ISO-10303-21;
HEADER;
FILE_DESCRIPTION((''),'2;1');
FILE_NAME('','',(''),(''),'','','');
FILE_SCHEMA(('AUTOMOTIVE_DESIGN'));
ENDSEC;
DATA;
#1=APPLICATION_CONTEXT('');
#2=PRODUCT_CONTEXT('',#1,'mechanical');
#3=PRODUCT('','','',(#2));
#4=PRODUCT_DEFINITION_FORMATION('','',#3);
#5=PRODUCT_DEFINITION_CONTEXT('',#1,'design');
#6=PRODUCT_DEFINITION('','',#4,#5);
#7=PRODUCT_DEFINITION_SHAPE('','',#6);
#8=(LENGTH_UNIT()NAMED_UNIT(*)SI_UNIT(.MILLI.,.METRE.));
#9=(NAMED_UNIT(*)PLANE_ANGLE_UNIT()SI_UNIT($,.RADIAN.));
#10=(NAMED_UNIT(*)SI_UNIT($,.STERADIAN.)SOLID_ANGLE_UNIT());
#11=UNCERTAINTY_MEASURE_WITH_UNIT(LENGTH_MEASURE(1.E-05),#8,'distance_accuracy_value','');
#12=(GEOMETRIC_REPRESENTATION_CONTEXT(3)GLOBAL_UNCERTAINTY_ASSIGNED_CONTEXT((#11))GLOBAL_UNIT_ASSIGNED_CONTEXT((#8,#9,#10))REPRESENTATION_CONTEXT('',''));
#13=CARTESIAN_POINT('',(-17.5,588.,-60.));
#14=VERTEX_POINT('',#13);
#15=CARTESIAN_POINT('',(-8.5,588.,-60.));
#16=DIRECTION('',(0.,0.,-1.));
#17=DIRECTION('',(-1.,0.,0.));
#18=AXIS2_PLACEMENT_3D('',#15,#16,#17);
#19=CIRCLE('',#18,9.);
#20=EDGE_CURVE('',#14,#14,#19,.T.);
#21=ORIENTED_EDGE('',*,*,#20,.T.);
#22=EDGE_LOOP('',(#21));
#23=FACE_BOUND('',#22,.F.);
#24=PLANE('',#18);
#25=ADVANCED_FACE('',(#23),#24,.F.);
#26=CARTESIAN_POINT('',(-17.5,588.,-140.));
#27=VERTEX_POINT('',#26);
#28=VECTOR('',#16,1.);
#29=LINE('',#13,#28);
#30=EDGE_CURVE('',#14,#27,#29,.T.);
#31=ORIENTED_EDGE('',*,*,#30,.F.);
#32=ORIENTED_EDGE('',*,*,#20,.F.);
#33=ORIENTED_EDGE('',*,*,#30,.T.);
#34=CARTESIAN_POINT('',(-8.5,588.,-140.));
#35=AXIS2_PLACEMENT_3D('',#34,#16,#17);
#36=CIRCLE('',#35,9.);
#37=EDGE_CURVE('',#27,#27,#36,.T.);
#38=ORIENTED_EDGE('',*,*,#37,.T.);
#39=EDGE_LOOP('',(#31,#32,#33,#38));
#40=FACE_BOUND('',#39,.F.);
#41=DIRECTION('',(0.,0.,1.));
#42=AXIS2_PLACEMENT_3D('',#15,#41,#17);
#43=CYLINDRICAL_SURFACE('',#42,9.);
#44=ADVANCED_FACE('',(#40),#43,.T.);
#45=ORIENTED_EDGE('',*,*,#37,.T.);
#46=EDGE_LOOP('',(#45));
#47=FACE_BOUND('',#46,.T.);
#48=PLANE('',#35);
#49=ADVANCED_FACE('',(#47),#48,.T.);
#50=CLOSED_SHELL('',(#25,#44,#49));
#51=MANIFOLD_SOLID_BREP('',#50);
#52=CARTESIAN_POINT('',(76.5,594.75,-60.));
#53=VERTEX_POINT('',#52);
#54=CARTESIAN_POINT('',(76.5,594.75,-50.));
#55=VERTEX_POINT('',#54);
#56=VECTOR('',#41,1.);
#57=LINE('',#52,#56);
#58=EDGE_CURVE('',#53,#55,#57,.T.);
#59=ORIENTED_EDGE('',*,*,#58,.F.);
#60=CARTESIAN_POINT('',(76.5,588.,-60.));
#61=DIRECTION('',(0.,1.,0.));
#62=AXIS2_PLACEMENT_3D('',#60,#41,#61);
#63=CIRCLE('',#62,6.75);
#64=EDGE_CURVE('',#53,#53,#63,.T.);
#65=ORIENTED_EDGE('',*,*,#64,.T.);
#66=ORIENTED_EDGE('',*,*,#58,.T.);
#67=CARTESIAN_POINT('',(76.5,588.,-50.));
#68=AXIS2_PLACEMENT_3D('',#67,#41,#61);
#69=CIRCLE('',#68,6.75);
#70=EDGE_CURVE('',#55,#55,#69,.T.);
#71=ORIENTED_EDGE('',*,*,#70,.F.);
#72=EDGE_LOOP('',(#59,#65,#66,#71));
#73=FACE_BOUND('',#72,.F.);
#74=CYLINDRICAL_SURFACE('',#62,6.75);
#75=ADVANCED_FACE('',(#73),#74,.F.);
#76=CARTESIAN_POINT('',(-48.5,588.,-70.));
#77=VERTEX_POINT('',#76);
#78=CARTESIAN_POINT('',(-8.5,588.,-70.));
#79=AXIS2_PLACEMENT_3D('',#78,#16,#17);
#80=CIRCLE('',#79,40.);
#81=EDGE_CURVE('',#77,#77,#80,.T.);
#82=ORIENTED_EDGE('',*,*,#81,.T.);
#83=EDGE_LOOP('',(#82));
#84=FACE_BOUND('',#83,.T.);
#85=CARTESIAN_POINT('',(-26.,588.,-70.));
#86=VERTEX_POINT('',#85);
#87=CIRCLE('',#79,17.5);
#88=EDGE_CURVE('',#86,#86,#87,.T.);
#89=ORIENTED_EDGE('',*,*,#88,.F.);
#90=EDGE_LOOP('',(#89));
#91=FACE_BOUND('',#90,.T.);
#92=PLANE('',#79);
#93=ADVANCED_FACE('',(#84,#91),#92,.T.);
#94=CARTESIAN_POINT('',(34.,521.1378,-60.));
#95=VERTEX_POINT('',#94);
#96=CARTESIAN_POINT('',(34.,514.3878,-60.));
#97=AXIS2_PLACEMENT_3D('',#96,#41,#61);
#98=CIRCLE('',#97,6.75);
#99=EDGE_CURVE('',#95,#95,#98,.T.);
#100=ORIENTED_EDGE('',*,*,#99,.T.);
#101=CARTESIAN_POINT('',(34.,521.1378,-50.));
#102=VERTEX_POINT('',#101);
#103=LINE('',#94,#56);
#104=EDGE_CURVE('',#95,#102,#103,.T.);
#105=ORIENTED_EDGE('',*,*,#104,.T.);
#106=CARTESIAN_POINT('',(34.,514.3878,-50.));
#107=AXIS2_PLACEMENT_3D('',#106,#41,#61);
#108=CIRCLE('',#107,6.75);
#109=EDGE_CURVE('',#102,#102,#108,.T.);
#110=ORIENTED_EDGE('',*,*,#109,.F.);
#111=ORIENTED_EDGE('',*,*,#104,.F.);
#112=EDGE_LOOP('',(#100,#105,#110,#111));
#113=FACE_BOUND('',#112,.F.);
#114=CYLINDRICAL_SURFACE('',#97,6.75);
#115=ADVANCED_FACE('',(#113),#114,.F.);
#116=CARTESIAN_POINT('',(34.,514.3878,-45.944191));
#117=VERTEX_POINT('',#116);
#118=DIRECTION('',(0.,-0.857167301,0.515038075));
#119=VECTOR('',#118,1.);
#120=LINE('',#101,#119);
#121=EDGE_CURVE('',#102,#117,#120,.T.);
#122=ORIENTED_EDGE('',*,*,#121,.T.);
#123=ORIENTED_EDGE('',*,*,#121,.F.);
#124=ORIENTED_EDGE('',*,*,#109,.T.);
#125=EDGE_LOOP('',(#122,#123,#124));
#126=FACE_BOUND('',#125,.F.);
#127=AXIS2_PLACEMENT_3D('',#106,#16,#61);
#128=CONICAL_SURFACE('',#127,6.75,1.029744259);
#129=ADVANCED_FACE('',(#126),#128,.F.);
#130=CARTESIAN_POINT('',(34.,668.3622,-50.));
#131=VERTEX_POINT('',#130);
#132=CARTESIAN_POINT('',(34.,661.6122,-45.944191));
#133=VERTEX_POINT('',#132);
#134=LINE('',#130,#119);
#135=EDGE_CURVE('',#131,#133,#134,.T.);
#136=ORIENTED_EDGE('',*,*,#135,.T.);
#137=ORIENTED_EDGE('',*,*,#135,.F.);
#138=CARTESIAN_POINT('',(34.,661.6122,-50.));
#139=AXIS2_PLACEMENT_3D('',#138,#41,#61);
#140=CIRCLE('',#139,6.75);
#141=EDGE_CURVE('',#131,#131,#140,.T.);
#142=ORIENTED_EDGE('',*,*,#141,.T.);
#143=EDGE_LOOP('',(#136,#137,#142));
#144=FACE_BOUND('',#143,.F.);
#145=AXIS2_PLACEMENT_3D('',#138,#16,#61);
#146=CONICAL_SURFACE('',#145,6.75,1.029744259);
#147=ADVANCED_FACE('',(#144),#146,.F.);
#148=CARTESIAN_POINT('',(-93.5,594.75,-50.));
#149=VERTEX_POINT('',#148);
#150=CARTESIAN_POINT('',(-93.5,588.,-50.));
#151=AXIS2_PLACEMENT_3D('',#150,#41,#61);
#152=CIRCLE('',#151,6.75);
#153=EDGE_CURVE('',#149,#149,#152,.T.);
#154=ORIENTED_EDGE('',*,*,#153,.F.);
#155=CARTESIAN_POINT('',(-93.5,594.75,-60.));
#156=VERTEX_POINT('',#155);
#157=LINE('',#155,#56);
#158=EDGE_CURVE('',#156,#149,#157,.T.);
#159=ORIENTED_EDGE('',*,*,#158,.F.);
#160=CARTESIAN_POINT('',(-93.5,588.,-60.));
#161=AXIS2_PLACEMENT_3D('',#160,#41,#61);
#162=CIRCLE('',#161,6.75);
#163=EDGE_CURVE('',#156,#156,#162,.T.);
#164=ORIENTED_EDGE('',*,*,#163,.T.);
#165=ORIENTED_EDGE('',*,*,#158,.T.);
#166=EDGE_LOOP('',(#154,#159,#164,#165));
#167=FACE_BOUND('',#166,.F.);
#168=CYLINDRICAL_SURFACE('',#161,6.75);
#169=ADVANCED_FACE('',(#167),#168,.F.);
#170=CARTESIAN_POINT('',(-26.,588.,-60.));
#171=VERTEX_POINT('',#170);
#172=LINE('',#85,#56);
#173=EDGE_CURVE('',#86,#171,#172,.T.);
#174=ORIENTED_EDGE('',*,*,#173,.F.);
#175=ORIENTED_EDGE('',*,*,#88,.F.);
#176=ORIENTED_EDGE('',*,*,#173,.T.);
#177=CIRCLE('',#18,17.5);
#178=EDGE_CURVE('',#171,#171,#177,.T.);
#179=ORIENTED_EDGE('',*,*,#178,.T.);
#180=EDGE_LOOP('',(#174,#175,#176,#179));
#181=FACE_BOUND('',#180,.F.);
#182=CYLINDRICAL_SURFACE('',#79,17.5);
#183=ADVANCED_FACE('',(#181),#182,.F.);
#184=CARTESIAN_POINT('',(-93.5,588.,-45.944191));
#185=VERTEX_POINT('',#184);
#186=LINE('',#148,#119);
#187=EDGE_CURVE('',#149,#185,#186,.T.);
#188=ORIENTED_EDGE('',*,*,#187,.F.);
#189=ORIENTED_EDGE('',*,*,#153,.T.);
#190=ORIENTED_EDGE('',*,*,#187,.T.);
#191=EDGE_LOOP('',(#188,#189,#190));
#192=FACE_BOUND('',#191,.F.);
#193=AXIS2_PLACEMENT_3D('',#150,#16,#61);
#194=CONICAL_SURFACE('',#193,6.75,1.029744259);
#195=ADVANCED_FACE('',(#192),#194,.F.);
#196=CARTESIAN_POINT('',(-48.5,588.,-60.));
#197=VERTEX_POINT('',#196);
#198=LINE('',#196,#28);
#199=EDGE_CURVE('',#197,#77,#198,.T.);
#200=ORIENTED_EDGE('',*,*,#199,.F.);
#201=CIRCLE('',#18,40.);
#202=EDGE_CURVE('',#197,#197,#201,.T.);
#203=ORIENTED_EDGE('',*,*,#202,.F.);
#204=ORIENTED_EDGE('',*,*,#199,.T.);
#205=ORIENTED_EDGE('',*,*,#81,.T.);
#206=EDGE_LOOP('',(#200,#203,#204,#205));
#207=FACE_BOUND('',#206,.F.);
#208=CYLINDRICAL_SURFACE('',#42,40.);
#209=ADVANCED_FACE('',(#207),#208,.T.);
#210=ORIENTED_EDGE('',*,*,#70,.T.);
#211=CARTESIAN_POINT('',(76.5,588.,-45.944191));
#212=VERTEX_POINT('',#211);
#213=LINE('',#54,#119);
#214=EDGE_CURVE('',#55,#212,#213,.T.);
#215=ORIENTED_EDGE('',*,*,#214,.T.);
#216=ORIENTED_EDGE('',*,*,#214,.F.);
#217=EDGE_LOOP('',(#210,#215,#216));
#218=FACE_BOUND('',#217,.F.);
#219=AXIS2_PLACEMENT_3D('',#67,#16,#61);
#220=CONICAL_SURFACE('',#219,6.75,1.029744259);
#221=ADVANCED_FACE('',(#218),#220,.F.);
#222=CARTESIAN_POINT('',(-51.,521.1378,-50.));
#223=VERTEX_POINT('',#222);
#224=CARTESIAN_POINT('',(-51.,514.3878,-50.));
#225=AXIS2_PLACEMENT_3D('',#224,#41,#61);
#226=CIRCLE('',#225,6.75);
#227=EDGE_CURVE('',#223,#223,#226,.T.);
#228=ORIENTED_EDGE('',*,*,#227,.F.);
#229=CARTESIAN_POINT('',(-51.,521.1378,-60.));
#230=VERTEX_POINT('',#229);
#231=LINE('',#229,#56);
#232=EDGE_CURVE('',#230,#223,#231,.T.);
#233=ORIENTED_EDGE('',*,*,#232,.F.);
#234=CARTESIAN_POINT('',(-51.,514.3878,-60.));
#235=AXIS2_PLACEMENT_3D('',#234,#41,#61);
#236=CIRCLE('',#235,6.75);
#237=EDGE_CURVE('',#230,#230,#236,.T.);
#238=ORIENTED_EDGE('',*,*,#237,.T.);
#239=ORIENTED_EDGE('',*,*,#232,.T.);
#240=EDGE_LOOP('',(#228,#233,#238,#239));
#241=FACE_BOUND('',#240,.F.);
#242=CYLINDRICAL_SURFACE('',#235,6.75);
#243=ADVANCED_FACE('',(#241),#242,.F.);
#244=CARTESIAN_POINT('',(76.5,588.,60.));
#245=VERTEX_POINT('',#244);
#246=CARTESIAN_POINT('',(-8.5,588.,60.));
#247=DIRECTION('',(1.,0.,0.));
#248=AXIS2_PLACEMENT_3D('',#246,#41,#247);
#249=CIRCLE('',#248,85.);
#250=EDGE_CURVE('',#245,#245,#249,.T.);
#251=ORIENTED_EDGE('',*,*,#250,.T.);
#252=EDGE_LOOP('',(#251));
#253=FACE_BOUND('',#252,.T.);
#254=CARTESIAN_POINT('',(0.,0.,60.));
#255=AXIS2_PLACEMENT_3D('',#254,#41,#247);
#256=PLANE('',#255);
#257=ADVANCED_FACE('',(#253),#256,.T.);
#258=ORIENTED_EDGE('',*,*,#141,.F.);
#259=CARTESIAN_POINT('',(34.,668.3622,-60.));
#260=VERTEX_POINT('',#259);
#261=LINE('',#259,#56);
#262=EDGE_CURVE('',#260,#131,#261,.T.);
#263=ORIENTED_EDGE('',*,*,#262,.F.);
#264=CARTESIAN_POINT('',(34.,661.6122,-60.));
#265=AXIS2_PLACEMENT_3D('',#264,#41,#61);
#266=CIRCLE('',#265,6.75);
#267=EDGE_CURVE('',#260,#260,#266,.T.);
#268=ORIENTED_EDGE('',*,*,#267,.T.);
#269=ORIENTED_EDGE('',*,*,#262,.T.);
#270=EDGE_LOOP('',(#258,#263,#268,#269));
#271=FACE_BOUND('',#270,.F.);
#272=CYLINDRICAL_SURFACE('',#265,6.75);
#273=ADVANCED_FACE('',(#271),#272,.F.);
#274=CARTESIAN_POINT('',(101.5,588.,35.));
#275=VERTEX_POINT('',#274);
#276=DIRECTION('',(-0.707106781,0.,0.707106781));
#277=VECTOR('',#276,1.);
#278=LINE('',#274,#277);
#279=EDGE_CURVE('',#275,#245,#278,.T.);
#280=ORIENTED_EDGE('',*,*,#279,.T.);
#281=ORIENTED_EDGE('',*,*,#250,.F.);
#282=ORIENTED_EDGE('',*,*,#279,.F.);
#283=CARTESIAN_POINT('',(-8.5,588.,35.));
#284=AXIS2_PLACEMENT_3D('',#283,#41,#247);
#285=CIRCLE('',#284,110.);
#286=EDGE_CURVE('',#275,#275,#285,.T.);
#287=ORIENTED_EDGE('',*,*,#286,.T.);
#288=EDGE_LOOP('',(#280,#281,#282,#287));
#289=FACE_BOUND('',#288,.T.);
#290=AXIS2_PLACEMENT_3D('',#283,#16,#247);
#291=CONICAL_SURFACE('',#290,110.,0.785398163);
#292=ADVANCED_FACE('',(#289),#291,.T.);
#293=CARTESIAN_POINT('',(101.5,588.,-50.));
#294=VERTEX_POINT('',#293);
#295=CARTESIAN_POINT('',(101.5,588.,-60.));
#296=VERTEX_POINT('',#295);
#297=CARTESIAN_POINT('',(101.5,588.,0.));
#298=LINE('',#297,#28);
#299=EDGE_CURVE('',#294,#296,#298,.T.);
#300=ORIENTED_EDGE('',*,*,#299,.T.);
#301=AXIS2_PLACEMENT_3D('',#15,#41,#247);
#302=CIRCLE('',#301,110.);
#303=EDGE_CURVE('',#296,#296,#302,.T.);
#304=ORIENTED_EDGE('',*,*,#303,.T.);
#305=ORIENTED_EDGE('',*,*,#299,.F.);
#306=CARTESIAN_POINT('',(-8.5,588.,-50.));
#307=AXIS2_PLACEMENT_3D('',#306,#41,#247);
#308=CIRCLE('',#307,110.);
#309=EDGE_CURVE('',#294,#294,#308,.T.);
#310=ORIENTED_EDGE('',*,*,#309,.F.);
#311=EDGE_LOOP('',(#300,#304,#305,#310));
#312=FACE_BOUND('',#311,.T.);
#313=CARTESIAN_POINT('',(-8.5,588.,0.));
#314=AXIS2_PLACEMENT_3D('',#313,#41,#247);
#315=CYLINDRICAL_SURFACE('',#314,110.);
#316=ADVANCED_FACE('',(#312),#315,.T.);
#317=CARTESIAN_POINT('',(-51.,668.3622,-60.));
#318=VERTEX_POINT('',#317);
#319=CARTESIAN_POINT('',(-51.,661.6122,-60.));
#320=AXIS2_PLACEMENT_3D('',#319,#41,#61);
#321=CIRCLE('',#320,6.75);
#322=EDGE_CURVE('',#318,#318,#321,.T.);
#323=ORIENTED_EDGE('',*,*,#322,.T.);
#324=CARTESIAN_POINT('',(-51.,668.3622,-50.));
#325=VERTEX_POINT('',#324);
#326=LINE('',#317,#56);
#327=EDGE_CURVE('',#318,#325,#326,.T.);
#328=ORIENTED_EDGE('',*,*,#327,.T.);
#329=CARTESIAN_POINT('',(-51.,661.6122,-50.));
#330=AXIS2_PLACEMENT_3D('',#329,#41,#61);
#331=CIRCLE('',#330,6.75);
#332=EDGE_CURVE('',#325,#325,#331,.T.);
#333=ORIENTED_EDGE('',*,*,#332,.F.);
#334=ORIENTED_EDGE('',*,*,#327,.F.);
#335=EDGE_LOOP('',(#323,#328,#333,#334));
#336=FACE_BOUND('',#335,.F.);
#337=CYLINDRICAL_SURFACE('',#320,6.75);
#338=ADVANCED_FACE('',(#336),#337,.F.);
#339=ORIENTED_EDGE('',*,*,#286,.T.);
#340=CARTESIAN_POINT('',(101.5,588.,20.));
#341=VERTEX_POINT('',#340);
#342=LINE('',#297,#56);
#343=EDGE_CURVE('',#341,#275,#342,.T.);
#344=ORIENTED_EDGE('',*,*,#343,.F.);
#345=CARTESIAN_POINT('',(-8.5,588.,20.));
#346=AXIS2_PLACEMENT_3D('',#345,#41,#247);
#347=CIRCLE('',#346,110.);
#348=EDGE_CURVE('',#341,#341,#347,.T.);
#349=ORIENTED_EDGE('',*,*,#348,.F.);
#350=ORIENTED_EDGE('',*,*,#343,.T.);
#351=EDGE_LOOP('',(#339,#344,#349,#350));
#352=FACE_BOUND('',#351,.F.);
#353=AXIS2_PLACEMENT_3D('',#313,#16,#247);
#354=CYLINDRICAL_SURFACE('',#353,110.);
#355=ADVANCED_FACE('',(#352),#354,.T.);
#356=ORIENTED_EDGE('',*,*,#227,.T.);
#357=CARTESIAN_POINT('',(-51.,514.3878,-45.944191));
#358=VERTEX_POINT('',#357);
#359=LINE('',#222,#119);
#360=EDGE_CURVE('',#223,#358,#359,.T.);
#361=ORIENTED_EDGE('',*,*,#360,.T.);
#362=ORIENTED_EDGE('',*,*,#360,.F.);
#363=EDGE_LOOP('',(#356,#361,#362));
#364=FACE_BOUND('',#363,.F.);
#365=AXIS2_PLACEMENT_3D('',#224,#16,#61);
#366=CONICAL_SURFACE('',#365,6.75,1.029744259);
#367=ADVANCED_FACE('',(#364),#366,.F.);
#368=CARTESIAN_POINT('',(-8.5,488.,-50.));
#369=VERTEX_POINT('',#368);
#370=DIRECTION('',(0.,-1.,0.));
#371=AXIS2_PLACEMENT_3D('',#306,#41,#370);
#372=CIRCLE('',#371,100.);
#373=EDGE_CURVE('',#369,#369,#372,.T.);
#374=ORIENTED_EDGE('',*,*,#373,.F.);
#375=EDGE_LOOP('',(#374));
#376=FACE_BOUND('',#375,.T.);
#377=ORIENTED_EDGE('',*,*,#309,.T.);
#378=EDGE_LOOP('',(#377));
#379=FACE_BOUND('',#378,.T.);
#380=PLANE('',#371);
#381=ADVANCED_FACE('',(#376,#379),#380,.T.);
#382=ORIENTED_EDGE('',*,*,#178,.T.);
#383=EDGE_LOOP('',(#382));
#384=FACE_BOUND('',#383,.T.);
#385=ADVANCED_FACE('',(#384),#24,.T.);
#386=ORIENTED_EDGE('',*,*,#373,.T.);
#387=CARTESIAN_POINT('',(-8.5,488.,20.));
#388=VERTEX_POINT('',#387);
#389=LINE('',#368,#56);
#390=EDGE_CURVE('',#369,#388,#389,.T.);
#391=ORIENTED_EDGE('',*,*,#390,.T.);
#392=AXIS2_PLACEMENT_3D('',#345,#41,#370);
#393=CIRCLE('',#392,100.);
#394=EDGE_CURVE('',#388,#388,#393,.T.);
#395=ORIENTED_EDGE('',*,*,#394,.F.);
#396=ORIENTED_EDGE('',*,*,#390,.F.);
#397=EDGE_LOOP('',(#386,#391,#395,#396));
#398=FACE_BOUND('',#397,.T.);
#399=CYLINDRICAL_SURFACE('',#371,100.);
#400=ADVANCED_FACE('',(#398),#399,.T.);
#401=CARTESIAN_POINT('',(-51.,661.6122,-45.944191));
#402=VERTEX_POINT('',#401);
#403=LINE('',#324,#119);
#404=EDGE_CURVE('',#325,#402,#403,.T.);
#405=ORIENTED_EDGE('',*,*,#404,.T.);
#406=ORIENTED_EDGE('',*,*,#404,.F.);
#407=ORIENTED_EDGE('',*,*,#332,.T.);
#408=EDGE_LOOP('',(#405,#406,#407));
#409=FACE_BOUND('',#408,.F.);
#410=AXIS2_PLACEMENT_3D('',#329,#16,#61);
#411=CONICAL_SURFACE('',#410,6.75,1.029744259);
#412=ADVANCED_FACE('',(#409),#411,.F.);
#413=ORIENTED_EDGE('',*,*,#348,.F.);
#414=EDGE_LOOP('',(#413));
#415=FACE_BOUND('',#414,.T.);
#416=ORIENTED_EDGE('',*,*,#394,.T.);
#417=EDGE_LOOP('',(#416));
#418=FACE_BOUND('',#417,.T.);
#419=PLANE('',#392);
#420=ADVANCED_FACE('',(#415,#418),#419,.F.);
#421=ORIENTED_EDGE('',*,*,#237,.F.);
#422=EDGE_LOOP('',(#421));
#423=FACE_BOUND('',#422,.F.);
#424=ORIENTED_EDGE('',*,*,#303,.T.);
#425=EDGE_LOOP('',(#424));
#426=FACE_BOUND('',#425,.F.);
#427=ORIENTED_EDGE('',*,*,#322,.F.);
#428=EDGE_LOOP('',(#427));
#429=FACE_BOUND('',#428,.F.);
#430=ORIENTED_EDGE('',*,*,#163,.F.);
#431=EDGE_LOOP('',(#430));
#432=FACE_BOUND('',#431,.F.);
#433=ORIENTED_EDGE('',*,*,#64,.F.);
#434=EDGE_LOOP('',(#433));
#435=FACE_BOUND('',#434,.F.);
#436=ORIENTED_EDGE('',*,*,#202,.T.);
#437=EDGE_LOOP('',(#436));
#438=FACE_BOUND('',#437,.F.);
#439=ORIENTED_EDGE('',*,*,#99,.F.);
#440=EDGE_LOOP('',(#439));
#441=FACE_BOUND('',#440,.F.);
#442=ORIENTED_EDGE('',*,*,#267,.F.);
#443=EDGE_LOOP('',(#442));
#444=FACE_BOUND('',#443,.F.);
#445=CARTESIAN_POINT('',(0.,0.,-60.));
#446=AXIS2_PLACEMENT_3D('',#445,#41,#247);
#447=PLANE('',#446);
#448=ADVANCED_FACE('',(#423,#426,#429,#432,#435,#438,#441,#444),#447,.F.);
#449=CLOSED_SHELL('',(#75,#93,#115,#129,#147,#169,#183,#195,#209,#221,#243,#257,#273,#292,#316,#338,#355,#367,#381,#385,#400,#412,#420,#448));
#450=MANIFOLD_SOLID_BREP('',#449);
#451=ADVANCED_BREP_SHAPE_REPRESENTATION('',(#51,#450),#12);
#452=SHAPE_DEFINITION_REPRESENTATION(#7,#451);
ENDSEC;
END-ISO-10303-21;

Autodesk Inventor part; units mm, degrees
ref_plane "XZ Plane" through (0, 0, 0) normal (0, 1, 0) x (-1, 0, 0)
ref_plane "XY Plane" through (0, 0, 0) normal (0, 0, 1) x (1, 0, 0)
sketch "Sketch1" plane through (0, 0, 0) normal (0, 0, 1) x (1, 0, 0)
  circle A0 centre (-8.5, 588) radius 110
  line L0 (97.5, 88) -> (-202.5, 88) projected
  line L1 (-508.5, 482) -> (-508.5, 782) projected
  line L2 (-114.5, 1088) -> (185.5, 1088) projected
  point P0 (0, 0)
  dimension "d0" = 220
  dimension "d1" = 500
  dimension "d2" = 500
extrude "Extrusion1" add sketch "Sketch1" along normal mid plane 120
ref_plane "Work Plane1" through (-8.5, 588, 0) normal (1, 0, 0) x (0, 0, 1)
sketch "Sketch3" plane through (-8.5, 588, 0) normal (1, 0, 0) x (0, 0, 1)
  line L0 (60, -110) -> (60, 110) projected
  line L1 (-60, 110) -> (-60, -110) projected
  line L2 (-60, 110) -> (60, 110) projected
  line L3 (20, 110) -> (-50, 110)
  line L4 (-50, 110) -> (-50, 100)
  line L5 (-50, 100) -> (20, 100)
  line L6 (20, 100) -> (20, 110)
  line L7 (60, 0) -> (-58.6511, 0)
  line L8 (-84, 0) -> (84, 0) projected
  point P0 (0, 588)
  dimension "d9" = 10
  dimension "d10" = 10
  dimension "d11" = 70
revolve "Revolution1" cut sketch "Sketch3" angle 360 about axis through (-8.5, 588, 0) along (0, 0, 1) contours L6 L5 L4 L2
chamfer "Chamfer1" distance 25 angle 45 1 edges at (-118.5, 588, 60)
sketch "Sketch4" plane through (-8.5, 588, -60) normal (0, 0, -1) x (-1, 0, 0)
  circle A0 centre (0, 0) radius 100 construction
  circle A1 centre (0, 0) radius 85 construction
  point P0 (-8.5, -588)
  point P1 (-85, 0)
  point P2 (-42.5, -73.6122)
  point P3 (42.5, -73.6122)
  point P4 (85, 0)
  point P5 (42.5, 73.6122)
  point P6 (-42.5, 73.6122)
  dimension "d18" = 360
hole "Hole1" at (76.5, 588, -60) at (34, 514.3878, -60) at (-51, 514.3878, -60) at (-93.5, 588, -60) at (-51, 661.6122, -60) at (34, 661.6122, -60) direction (0, 0, 1) diameter 13.5 depth 10 tip angle 118 clearance for "Hex Head Cap Screw ISO 24017" size "M12" standard "ISO"
sketch "Sketch5" plane through (-8.5, 588, -60) normal (0, 0, -1) x (-1, 0, 0)
  circle A0 centre (-42.5, 73.6122) radius 6.75 projected
  circle A1 centre (42.5, 73.6122) radius 6.75 projected
  circle A2 centre (85, 0) radius 6.75 projected
  circle A3 centre (42.5, -73.6122) radius 6.75 projected
  circle A4 centre (-42.5, -73.6122) radius 6.75 projected
  circle A5 centre (-85, 0) radius 6.75 projected
  circle A6 centre (0, 0) radius 110 projected
  circle A7 centre (0, 0) radius 40
  point P0 (-8.5, -588)
  dimension "d27" = 80
extrude "Extrusion2" add sketch "Sketch5" along normal blind 10 contours A7
sketch "Sketch6" plane through (-8.5, 588, -70) normal (0, 0, -1) x (-1, 0, 0)
  circle A0 centre (0, 0) radius 17.5
  point P0 (-8.5, -588)
  dimension "d30" = 35
extrude "Extrusion3" cut sketch "Sketch6" against normal up to surface (10 mm away)
sketch "Sketch7" plane through (-8.5, 588, -60) normal (0, 0, -1) x (-1, 0, 0)
  circle A0 centre (0, 0) radius 17.5 projected
  circle A1 centre (0, 0) radius 9
  point P0 (-8.5, -588)
  dimension "d33" = 18
extrude "Extrusion4" add sketch "Sketch7" along normal blind 80 separate body contours A1
equation "\"d2\" = d1"
properties part number "Motor"
